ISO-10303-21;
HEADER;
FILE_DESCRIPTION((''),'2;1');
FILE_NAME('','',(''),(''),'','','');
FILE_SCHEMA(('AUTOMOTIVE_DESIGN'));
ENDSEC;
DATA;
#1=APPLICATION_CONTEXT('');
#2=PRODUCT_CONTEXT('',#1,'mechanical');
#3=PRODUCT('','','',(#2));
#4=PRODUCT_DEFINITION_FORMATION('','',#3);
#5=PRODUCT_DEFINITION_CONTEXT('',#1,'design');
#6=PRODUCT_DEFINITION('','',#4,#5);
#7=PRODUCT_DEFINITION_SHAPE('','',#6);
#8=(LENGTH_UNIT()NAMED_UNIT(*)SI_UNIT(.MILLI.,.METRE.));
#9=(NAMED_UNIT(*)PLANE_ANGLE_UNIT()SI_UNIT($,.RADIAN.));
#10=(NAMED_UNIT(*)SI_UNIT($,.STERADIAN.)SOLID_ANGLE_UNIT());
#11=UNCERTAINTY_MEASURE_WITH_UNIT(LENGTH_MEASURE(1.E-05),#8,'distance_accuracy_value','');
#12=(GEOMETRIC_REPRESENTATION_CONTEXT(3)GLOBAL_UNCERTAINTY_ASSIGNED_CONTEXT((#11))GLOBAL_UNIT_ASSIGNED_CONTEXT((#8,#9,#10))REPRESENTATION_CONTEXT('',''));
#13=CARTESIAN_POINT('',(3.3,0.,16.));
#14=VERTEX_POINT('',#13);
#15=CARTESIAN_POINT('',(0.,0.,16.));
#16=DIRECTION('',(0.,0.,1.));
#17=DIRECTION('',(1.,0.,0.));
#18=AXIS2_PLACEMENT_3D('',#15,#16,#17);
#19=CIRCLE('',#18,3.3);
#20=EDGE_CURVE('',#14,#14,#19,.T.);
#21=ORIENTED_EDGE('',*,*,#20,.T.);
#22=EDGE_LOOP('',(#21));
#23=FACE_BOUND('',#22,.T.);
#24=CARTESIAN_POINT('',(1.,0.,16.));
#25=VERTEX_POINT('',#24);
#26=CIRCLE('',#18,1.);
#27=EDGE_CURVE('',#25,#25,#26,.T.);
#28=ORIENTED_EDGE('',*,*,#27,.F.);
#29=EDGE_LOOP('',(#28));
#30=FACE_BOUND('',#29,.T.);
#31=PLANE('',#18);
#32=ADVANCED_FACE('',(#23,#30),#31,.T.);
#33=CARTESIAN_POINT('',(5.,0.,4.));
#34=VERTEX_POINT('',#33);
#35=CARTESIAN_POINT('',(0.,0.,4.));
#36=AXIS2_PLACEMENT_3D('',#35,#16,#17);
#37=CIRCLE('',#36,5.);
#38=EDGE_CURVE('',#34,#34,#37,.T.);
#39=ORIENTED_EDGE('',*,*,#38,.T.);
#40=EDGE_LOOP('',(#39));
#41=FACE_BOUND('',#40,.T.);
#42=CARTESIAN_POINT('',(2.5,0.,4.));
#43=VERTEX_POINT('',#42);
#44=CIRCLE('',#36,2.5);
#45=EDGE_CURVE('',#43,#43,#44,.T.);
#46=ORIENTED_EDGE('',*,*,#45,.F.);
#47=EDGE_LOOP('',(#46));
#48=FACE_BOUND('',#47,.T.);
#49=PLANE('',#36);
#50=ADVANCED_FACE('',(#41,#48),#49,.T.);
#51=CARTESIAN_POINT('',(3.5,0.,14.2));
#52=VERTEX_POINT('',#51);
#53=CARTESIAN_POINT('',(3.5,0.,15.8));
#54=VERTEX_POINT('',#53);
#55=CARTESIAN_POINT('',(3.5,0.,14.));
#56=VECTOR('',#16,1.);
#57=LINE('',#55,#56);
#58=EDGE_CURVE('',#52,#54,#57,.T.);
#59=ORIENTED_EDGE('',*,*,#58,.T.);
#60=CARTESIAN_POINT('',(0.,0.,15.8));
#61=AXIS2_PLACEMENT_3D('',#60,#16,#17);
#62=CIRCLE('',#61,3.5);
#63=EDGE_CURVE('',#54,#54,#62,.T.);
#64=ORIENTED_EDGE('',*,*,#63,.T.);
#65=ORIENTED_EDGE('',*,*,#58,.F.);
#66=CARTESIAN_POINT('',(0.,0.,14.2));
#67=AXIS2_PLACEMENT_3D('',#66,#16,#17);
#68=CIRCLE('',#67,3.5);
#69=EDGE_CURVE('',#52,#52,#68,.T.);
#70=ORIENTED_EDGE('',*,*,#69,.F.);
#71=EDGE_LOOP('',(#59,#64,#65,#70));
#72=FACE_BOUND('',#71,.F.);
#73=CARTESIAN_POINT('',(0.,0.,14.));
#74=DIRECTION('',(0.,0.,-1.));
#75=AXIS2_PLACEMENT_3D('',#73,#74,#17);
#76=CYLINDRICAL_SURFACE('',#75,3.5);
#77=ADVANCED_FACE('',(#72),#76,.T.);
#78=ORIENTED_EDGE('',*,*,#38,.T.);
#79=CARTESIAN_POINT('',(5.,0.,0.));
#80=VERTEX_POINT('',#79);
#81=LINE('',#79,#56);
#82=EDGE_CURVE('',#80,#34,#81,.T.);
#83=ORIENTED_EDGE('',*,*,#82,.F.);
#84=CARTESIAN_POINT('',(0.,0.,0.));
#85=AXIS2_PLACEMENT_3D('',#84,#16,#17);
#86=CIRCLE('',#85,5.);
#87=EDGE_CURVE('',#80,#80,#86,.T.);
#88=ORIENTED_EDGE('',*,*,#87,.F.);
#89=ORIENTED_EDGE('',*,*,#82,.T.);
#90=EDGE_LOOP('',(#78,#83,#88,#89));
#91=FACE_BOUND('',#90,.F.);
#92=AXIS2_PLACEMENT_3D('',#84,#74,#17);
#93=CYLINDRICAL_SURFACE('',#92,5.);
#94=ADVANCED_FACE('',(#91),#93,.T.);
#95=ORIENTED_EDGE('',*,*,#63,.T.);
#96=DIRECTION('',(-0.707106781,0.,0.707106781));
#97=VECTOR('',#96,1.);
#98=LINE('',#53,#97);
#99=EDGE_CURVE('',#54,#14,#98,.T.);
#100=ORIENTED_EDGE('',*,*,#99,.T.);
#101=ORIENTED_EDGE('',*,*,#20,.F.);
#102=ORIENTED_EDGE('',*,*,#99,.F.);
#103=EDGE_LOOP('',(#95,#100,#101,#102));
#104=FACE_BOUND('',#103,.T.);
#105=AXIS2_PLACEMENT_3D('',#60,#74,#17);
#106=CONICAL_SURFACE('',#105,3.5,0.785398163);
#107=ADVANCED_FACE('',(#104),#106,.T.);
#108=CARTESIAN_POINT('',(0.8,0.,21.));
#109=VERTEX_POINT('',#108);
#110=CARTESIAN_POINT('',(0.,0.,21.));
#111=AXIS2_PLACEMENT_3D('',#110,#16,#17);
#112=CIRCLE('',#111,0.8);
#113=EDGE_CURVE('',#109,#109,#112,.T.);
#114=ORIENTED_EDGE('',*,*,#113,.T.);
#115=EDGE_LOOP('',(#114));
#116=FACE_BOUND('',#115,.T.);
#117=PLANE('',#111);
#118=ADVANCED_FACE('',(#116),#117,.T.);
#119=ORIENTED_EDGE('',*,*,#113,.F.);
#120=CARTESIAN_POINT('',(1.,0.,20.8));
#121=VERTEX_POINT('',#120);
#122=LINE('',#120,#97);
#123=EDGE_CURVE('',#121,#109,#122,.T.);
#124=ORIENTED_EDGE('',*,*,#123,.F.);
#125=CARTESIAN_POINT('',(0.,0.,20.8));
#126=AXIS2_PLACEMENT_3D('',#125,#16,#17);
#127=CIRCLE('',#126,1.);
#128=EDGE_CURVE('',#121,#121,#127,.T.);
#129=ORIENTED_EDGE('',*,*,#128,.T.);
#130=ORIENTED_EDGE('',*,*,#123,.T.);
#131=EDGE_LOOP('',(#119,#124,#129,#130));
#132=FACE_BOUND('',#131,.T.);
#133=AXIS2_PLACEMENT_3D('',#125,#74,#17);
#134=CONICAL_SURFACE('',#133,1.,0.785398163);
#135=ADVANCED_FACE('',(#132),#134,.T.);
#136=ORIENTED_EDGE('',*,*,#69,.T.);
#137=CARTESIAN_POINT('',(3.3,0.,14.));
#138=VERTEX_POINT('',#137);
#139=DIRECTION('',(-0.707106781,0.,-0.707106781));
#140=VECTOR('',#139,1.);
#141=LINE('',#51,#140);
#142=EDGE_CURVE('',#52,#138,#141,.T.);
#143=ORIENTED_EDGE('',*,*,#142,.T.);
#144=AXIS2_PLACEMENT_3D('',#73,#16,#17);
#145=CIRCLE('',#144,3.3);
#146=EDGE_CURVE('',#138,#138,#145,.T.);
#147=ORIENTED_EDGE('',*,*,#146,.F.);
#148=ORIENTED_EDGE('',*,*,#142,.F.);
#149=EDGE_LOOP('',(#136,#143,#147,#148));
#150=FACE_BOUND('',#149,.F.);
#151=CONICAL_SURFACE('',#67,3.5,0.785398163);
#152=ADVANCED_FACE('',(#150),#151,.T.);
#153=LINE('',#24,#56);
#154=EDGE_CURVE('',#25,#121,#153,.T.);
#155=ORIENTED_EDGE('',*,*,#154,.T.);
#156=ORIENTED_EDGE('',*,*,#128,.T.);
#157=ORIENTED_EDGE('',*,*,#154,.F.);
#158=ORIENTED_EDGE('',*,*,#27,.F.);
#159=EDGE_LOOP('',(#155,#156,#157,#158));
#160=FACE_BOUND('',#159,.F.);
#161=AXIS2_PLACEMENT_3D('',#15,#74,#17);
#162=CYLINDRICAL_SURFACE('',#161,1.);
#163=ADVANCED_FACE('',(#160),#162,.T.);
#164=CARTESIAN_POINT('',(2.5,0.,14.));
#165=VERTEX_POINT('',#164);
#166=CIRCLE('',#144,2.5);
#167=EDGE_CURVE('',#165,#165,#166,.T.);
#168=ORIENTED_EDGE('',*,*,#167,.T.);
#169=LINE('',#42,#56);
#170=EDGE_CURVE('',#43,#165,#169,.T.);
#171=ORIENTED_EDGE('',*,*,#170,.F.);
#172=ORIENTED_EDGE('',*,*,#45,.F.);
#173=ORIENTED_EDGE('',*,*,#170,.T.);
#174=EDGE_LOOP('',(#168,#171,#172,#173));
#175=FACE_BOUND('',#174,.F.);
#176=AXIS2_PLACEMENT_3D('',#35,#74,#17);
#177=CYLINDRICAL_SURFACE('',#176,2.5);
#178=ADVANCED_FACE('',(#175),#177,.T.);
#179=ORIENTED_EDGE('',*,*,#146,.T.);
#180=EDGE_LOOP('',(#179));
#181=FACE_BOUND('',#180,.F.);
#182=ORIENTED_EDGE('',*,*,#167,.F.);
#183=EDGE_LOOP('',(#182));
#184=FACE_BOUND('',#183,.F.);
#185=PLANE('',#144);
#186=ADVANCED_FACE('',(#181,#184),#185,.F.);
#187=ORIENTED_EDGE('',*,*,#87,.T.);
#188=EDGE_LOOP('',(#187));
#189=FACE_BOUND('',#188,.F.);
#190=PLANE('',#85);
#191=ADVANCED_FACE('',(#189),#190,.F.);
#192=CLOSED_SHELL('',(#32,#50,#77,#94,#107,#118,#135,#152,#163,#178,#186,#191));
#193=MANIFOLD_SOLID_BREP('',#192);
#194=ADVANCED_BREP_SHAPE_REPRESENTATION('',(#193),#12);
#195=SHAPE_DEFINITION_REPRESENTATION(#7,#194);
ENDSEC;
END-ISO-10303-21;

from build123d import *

# Parameters (mm, degrees)
F0_R     = 5
F1_DEPTH = 4
F2_R     = 2.5
F3_DEPTH = 10
F4_R     = 3.5
F5_DEPTH = 2
F6_R     = 1
F7_DEPTH = 5
F8_SIZE  = 0.2


with BuildPart() as f1:
    # F0 (on Top) → F1 (new body)
    with BuildSketch(Plane.XY):
        Circle(F0_R)
    extrude(amount=F1_DEPTH)

    # F2 (on face) → F3 (join)
    with BuildSketch(Plane.XY.offset(4)):
        Circle(F2_R)
    extrude(amount=F3_DEPTH)

    # F4 (on face) → F5 (join)
    with BuildSketch(Plane.XY.offset(14)):
        Circle(F4_R)
    extrude(amount=F5_DEPTH)

    # F6 (on face) → F7 (join)
    with BuildSketch(Plane.XY.offset(16)):
        Circle(F6_R)
    extrude(amount=F7_DEPTH)

    # F8
    f8_edges = [f1.edges().sort_by_distance(p)[0] for p in [
        (-1, 0, 21),
        (-3.5, 0, 16),
        (-3.5, 0, 14),
    ]]
    chamfer(f8_edges, length=F8_SIZE)


solid = f1.part
